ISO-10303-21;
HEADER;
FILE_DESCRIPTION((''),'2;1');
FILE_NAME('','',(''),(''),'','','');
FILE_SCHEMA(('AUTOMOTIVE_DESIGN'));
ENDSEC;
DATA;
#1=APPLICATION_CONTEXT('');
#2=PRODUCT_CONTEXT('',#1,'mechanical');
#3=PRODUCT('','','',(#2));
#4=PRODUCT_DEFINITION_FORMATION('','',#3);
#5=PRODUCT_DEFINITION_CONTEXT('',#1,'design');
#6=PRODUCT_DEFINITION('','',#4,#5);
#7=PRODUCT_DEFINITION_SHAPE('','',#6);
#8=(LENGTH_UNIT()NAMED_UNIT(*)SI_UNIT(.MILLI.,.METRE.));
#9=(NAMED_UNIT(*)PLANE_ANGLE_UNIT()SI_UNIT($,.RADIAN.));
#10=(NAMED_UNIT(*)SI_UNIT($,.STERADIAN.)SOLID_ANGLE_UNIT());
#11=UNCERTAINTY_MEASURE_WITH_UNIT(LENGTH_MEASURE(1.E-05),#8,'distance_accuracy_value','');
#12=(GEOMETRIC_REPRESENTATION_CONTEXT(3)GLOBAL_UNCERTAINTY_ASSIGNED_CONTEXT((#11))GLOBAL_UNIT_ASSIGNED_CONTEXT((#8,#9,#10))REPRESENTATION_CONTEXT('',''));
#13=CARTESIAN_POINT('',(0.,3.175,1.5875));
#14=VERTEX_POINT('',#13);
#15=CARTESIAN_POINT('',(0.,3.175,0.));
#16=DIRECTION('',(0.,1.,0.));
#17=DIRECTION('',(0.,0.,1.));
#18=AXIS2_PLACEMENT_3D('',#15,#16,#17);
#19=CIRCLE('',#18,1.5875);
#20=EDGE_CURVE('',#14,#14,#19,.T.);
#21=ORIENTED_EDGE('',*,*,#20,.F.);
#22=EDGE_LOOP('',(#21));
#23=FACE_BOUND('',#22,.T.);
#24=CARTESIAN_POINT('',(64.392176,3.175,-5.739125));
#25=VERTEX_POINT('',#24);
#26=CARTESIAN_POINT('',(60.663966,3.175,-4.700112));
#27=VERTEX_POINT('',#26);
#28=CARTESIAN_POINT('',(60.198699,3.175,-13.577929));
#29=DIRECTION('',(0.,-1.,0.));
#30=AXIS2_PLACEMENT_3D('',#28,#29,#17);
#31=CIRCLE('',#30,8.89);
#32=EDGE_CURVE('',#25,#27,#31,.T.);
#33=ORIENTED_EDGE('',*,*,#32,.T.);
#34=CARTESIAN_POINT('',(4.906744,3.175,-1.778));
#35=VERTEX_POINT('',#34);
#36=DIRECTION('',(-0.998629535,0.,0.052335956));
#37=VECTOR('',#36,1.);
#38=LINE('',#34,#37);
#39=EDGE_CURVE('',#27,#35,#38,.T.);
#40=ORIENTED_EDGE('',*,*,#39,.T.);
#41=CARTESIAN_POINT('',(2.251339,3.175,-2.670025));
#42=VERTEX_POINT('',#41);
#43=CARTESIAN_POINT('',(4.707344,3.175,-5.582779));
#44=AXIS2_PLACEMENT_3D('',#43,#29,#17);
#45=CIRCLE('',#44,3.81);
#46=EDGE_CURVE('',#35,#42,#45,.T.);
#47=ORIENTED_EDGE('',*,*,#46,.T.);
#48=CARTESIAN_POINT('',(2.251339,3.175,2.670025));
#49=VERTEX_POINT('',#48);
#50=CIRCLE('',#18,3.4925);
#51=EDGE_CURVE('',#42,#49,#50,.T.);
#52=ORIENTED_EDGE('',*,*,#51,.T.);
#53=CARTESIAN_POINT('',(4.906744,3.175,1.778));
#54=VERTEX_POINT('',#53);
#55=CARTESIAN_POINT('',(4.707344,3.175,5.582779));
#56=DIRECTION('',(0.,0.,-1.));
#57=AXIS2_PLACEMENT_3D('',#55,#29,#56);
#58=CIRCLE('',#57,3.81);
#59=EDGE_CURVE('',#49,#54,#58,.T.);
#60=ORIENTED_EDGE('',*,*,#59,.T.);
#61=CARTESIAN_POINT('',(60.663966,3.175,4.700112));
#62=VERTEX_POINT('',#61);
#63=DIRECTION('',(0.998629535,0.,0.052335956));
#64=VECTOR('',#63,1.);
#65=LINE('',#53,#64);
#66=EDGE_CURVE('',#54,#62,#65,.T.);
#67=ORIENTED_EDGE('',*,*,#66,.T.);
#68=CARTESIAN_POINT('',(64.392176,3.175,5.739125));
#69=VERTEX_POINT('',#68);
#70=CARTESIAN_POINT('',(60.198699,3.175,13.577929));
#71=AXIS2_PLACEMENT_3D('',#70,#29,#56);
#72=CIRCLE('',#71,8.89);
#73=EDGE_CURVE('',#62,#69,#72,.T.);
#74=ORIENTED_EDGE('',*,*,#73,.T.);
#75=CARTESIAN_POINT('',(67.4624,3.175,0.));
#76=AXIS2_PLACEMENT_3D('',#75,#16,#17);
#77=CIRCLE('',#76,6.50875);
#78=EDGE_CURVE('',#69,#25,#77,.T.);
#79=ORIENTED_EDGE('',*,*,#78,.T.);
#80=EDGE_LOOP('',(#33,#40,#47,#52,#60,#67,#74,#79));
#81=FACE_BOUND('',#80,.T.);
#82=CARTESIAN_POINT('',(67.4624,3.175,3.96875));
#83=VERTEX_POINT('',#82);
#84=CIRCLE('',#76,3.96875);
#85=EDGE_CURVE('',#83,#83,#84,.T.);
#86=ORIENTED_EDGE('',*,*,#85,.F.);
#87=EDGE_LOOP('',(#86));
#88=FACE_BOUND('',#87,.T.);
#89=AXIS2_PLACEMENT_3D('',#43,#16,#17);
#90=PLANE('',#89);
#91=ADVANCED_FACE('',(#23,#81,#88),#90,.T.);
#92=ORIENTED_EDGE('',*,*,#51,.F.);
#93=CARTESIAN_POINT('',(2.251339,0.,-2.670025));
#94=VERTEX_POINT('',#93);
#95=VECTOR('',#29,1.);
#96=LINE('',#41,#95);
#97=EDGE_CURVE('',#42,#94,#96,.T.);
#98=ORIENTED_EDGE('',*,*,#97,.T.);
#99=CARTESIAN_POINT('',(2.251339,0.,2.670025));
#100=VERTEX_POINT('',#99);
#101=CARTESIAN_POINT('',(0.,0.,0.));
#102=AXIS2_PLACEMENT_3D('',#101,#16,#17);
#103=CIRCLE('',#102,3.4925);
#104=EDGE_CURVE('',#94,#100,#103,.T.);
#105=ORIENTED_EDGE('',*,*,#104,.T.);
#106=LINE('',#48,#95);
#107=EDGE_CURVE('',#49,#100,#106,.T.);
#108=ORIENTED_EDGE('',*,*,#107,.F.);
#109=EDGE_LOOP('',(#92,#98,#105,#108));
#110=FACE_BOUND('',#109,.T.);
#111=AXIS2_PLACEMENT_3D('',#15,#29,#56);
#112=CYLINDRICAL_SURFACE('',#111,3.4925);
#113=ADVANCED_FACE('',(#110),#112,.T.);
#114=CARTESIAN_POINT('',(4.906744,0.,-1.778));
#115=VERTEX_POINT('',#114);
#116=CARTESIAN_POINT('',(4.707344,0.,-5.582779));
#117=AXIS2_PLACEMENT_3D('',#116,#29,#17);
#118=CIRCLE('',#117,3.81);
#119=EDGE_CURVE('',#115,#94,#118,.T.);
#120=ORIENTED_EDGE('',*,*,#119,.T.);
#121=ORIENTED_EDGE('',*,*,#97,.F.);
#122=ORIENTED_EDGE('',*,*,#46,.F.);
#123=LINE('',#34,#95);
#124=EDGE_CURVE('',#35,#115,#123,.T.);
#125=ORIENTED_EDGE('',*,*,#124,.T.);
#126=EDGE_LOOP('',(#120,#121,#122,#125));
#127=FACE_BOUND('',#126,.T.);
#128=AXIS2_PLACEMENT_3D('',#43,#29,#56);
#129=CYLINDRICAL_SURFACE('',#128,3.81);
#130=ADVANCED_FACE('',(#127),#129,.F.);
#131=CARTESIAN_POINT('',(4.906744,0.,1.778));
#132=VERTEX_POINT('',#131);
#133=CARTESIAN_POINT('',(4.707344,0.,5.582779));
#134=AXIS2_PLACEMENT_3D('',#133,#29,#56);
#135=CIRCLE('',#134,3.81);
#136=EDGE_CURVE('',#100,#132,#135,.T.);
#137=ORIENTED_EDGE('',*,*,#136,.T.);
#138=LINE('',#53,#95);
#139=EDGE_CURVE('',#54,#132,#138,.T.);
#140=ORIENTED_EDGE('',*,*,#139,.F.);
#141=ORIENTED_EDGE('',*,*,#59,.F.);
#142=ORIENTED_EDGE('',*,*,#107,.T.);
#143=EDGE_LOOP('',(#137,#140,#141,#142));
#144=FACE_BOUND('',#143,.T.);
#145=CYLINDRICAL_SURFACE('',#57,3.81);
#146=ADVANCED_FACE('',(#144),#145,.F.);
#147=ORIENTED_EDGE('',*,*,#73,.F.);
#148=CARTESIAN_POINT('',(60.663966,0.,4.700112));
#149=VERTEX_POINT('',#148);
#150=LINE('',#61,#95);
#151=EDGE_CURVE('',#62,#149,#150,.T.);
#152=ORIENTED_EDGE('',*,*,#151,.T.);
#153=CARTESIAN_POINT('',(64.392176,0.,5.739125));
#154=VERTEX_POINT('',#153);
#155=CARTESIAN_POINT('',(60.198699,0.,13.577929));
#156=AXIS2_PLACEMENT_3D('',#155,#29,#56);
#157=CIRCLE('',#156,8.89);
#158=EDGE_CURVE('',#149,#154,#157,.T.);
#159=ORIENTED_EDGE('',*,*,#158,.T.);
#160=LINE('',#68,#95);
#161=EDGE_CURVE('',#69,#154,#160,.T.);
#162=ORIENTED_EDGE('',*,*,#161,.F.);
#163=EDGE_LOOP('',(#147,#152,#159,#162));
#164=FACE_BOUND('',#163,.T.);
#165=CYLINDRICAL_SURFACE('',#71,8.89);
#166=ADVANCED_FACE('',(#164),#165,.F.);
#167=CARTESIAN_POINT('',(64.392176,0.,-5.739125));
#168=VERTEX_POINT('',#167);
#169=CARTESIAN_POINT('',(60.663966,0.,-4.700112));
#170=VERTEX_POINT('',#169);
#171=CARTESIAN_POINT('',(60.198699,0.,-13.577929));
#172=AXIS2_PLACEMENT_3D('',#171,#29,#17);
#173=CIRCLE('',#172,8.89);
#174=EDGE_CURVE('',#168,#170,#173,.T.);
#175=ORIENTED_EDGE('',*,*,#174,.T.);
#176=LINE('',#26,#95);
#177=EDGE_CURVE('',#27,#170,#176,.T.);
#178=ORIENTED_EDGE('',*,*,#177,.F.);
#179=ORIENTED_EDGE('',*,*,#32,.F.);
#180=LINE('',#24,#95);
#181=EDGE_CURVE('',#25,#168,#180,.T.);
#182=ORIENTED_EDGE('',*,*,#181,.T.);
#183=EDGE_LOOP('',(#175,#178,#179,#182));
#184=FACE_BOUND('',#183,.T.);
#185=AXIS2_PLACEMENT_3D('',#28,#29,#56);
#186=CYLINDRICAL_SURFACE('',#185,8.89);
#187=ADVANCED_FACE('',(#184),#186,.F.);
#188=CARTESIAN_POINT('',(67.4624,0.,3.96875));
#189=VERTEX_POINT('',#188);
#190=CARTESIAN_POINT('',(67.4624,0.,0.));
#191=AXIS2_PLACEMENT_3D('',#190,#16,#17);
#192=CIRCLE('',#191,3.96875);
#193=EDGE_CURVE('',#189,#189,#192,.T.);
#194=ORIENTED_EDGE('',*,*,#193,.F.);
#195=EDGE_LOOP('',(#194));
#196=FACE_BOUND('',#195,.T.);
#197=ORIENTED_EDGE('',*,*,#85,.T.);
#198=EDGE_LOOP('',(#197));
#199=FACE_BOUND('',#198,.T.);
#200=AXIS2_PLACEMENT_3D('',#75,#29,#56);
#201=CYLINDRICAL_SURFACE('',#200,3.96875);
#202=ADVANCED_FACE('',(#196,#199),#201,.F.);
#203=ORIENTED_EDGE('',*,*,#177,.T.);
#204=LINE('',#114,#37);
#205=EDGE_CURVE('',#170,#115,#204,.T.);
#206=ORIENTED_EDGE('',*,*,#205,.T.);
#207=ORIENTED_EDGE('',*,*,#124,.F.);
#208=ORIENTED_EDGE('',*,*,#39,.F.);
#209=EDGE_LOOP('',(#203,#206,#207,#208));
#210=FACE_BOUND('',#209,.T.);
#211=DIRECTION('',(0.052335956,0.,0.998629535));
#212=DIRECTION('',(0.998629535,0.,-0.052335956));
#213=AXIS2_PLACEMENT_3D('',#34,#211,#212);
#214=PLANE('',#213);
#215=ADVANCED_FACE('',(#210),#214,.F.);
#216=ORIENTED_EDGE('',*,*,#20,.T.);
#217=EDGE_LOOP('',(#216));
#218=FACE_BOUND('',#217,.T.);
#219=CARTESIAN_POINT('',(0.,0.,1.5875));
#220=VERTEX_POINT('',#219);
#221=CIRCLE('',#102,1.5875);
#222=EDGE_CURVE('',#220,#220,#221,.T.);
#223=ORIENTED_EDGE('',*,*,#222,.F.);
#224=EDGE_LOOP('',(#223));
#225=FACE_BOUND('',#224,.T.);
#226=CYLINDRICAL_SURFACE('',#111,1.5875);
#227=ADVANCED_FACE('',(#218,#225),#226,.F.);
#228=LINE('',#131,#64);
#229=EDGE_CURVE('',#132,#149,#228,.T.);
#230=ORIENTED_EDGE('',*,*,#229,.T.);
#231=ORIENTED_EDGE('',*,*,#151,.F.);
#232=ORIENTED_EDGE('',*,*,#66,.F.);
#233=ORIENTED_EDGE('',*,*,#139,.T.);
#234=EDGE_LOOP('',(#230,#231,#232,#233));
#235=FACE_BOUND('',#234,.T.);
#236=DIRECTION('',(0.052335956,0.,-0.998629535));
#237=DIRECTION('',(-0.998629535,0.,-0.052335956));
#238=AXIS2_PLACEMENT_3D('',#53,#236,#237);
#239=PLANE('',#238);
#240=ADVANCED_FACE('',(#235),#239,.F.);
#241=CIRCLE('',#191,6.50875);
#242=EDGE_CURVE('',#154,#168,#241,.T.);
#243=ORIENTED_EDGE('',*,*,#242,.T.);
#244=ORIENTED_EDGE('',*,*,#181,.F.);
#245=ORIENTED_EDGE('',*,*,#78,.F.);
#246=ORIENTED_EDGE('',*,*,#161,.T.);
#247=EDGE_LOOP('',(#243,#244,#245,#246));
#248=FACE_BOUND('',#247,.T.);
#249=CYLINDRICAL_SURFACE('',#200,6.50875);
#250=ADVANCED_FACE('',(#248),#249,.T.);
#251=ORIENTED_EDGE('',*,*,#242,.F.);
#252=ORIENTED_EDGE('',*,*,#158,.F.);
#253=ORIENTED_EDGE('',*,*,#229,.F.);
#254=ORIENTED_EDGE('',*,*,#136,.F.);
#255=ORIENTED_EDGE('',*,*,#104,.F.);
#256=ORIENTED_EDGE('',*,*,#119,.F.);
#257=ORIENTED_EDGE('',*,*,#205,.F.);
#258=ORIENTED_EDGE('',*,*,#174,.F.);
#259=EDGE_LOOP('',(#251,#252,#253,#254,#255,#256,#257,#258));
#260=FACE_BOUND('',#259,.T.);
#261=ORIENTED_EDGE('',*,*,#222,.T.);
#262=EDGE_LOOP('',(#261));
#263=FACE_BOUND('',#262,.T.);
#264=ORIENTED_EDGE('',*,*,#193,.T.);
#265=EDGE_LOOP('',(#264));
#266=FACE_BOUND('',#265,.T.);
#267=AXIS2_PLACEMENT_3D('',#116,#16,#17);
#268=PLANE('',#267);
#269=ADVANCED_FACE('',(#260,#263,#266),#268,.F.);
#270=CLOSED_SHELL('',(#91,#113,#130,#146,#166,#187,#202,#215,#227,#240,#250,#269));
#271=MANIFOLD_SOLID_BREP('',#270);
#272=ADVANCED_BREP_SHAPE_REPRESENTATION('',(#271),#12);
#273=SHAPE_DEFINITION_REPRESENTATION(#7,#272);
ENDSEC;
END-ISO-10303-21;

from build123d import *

# Parameters (mm, degrees)
SKETCH1_R           = 1.5875
SKETCH1_R_2         = 3.96875
BOSS_EXTRUDE1_DEPTH = 3.175


with BuildPart() as part:
    # Sketch1 → Boss-Extrude1 (new body)
    with BuildSketch(Plane(origin=(0, 0, 0), x_dir=(1, 0, 0), z_dir=(0, 1, 0))):
        with BuildLine():
            Line((4.906744273, 1.778), (60.663965564, 4.700112147))
            ThreePointArc((60.663965564, 4.700112147), (62.585298916, 5.014270589), (64.392175829, 5.739124507))
            ThreePointArc((64.392175829, 5.739124507), (73.97115, 0), (64.392175829, -5.739124507))
            ThreePointArc((64.392175829, -5.739124507), (62.585298916, -5.014270589), (60.663965564, -4.700112147))
            Line((60.663965564, -4.700112147), (4.906744273, -1.778))
            ThreePointArc((4.906744273, -1.778), (3.494086568, -1.971116067), (2.251338568, -2.670024513))
            ThreePointArc((2.251338568, -2.670024513), (-3.4925, 0), (2.251338568, 2.670024513))
            ThreePointArc((2.251338568, 2.670024513), (3.494086568, 1.971116067), (4.906744273, 1.778))
        make_face()
        with Locations(Location((0, 0, 0), (0, 0, 270))):
            Circle(SKETCH1_R, mode=Mode.SUBTRACT)
        with Locations(Location((67.4624, 0, 0), (0, 0, 270))):
            Circle(SKETCH1_R_2, mode=Mode.SUBTRACT)
    extrude(amount=BOSS_EXTRUDE1_DEPTH)


solid = part.part
